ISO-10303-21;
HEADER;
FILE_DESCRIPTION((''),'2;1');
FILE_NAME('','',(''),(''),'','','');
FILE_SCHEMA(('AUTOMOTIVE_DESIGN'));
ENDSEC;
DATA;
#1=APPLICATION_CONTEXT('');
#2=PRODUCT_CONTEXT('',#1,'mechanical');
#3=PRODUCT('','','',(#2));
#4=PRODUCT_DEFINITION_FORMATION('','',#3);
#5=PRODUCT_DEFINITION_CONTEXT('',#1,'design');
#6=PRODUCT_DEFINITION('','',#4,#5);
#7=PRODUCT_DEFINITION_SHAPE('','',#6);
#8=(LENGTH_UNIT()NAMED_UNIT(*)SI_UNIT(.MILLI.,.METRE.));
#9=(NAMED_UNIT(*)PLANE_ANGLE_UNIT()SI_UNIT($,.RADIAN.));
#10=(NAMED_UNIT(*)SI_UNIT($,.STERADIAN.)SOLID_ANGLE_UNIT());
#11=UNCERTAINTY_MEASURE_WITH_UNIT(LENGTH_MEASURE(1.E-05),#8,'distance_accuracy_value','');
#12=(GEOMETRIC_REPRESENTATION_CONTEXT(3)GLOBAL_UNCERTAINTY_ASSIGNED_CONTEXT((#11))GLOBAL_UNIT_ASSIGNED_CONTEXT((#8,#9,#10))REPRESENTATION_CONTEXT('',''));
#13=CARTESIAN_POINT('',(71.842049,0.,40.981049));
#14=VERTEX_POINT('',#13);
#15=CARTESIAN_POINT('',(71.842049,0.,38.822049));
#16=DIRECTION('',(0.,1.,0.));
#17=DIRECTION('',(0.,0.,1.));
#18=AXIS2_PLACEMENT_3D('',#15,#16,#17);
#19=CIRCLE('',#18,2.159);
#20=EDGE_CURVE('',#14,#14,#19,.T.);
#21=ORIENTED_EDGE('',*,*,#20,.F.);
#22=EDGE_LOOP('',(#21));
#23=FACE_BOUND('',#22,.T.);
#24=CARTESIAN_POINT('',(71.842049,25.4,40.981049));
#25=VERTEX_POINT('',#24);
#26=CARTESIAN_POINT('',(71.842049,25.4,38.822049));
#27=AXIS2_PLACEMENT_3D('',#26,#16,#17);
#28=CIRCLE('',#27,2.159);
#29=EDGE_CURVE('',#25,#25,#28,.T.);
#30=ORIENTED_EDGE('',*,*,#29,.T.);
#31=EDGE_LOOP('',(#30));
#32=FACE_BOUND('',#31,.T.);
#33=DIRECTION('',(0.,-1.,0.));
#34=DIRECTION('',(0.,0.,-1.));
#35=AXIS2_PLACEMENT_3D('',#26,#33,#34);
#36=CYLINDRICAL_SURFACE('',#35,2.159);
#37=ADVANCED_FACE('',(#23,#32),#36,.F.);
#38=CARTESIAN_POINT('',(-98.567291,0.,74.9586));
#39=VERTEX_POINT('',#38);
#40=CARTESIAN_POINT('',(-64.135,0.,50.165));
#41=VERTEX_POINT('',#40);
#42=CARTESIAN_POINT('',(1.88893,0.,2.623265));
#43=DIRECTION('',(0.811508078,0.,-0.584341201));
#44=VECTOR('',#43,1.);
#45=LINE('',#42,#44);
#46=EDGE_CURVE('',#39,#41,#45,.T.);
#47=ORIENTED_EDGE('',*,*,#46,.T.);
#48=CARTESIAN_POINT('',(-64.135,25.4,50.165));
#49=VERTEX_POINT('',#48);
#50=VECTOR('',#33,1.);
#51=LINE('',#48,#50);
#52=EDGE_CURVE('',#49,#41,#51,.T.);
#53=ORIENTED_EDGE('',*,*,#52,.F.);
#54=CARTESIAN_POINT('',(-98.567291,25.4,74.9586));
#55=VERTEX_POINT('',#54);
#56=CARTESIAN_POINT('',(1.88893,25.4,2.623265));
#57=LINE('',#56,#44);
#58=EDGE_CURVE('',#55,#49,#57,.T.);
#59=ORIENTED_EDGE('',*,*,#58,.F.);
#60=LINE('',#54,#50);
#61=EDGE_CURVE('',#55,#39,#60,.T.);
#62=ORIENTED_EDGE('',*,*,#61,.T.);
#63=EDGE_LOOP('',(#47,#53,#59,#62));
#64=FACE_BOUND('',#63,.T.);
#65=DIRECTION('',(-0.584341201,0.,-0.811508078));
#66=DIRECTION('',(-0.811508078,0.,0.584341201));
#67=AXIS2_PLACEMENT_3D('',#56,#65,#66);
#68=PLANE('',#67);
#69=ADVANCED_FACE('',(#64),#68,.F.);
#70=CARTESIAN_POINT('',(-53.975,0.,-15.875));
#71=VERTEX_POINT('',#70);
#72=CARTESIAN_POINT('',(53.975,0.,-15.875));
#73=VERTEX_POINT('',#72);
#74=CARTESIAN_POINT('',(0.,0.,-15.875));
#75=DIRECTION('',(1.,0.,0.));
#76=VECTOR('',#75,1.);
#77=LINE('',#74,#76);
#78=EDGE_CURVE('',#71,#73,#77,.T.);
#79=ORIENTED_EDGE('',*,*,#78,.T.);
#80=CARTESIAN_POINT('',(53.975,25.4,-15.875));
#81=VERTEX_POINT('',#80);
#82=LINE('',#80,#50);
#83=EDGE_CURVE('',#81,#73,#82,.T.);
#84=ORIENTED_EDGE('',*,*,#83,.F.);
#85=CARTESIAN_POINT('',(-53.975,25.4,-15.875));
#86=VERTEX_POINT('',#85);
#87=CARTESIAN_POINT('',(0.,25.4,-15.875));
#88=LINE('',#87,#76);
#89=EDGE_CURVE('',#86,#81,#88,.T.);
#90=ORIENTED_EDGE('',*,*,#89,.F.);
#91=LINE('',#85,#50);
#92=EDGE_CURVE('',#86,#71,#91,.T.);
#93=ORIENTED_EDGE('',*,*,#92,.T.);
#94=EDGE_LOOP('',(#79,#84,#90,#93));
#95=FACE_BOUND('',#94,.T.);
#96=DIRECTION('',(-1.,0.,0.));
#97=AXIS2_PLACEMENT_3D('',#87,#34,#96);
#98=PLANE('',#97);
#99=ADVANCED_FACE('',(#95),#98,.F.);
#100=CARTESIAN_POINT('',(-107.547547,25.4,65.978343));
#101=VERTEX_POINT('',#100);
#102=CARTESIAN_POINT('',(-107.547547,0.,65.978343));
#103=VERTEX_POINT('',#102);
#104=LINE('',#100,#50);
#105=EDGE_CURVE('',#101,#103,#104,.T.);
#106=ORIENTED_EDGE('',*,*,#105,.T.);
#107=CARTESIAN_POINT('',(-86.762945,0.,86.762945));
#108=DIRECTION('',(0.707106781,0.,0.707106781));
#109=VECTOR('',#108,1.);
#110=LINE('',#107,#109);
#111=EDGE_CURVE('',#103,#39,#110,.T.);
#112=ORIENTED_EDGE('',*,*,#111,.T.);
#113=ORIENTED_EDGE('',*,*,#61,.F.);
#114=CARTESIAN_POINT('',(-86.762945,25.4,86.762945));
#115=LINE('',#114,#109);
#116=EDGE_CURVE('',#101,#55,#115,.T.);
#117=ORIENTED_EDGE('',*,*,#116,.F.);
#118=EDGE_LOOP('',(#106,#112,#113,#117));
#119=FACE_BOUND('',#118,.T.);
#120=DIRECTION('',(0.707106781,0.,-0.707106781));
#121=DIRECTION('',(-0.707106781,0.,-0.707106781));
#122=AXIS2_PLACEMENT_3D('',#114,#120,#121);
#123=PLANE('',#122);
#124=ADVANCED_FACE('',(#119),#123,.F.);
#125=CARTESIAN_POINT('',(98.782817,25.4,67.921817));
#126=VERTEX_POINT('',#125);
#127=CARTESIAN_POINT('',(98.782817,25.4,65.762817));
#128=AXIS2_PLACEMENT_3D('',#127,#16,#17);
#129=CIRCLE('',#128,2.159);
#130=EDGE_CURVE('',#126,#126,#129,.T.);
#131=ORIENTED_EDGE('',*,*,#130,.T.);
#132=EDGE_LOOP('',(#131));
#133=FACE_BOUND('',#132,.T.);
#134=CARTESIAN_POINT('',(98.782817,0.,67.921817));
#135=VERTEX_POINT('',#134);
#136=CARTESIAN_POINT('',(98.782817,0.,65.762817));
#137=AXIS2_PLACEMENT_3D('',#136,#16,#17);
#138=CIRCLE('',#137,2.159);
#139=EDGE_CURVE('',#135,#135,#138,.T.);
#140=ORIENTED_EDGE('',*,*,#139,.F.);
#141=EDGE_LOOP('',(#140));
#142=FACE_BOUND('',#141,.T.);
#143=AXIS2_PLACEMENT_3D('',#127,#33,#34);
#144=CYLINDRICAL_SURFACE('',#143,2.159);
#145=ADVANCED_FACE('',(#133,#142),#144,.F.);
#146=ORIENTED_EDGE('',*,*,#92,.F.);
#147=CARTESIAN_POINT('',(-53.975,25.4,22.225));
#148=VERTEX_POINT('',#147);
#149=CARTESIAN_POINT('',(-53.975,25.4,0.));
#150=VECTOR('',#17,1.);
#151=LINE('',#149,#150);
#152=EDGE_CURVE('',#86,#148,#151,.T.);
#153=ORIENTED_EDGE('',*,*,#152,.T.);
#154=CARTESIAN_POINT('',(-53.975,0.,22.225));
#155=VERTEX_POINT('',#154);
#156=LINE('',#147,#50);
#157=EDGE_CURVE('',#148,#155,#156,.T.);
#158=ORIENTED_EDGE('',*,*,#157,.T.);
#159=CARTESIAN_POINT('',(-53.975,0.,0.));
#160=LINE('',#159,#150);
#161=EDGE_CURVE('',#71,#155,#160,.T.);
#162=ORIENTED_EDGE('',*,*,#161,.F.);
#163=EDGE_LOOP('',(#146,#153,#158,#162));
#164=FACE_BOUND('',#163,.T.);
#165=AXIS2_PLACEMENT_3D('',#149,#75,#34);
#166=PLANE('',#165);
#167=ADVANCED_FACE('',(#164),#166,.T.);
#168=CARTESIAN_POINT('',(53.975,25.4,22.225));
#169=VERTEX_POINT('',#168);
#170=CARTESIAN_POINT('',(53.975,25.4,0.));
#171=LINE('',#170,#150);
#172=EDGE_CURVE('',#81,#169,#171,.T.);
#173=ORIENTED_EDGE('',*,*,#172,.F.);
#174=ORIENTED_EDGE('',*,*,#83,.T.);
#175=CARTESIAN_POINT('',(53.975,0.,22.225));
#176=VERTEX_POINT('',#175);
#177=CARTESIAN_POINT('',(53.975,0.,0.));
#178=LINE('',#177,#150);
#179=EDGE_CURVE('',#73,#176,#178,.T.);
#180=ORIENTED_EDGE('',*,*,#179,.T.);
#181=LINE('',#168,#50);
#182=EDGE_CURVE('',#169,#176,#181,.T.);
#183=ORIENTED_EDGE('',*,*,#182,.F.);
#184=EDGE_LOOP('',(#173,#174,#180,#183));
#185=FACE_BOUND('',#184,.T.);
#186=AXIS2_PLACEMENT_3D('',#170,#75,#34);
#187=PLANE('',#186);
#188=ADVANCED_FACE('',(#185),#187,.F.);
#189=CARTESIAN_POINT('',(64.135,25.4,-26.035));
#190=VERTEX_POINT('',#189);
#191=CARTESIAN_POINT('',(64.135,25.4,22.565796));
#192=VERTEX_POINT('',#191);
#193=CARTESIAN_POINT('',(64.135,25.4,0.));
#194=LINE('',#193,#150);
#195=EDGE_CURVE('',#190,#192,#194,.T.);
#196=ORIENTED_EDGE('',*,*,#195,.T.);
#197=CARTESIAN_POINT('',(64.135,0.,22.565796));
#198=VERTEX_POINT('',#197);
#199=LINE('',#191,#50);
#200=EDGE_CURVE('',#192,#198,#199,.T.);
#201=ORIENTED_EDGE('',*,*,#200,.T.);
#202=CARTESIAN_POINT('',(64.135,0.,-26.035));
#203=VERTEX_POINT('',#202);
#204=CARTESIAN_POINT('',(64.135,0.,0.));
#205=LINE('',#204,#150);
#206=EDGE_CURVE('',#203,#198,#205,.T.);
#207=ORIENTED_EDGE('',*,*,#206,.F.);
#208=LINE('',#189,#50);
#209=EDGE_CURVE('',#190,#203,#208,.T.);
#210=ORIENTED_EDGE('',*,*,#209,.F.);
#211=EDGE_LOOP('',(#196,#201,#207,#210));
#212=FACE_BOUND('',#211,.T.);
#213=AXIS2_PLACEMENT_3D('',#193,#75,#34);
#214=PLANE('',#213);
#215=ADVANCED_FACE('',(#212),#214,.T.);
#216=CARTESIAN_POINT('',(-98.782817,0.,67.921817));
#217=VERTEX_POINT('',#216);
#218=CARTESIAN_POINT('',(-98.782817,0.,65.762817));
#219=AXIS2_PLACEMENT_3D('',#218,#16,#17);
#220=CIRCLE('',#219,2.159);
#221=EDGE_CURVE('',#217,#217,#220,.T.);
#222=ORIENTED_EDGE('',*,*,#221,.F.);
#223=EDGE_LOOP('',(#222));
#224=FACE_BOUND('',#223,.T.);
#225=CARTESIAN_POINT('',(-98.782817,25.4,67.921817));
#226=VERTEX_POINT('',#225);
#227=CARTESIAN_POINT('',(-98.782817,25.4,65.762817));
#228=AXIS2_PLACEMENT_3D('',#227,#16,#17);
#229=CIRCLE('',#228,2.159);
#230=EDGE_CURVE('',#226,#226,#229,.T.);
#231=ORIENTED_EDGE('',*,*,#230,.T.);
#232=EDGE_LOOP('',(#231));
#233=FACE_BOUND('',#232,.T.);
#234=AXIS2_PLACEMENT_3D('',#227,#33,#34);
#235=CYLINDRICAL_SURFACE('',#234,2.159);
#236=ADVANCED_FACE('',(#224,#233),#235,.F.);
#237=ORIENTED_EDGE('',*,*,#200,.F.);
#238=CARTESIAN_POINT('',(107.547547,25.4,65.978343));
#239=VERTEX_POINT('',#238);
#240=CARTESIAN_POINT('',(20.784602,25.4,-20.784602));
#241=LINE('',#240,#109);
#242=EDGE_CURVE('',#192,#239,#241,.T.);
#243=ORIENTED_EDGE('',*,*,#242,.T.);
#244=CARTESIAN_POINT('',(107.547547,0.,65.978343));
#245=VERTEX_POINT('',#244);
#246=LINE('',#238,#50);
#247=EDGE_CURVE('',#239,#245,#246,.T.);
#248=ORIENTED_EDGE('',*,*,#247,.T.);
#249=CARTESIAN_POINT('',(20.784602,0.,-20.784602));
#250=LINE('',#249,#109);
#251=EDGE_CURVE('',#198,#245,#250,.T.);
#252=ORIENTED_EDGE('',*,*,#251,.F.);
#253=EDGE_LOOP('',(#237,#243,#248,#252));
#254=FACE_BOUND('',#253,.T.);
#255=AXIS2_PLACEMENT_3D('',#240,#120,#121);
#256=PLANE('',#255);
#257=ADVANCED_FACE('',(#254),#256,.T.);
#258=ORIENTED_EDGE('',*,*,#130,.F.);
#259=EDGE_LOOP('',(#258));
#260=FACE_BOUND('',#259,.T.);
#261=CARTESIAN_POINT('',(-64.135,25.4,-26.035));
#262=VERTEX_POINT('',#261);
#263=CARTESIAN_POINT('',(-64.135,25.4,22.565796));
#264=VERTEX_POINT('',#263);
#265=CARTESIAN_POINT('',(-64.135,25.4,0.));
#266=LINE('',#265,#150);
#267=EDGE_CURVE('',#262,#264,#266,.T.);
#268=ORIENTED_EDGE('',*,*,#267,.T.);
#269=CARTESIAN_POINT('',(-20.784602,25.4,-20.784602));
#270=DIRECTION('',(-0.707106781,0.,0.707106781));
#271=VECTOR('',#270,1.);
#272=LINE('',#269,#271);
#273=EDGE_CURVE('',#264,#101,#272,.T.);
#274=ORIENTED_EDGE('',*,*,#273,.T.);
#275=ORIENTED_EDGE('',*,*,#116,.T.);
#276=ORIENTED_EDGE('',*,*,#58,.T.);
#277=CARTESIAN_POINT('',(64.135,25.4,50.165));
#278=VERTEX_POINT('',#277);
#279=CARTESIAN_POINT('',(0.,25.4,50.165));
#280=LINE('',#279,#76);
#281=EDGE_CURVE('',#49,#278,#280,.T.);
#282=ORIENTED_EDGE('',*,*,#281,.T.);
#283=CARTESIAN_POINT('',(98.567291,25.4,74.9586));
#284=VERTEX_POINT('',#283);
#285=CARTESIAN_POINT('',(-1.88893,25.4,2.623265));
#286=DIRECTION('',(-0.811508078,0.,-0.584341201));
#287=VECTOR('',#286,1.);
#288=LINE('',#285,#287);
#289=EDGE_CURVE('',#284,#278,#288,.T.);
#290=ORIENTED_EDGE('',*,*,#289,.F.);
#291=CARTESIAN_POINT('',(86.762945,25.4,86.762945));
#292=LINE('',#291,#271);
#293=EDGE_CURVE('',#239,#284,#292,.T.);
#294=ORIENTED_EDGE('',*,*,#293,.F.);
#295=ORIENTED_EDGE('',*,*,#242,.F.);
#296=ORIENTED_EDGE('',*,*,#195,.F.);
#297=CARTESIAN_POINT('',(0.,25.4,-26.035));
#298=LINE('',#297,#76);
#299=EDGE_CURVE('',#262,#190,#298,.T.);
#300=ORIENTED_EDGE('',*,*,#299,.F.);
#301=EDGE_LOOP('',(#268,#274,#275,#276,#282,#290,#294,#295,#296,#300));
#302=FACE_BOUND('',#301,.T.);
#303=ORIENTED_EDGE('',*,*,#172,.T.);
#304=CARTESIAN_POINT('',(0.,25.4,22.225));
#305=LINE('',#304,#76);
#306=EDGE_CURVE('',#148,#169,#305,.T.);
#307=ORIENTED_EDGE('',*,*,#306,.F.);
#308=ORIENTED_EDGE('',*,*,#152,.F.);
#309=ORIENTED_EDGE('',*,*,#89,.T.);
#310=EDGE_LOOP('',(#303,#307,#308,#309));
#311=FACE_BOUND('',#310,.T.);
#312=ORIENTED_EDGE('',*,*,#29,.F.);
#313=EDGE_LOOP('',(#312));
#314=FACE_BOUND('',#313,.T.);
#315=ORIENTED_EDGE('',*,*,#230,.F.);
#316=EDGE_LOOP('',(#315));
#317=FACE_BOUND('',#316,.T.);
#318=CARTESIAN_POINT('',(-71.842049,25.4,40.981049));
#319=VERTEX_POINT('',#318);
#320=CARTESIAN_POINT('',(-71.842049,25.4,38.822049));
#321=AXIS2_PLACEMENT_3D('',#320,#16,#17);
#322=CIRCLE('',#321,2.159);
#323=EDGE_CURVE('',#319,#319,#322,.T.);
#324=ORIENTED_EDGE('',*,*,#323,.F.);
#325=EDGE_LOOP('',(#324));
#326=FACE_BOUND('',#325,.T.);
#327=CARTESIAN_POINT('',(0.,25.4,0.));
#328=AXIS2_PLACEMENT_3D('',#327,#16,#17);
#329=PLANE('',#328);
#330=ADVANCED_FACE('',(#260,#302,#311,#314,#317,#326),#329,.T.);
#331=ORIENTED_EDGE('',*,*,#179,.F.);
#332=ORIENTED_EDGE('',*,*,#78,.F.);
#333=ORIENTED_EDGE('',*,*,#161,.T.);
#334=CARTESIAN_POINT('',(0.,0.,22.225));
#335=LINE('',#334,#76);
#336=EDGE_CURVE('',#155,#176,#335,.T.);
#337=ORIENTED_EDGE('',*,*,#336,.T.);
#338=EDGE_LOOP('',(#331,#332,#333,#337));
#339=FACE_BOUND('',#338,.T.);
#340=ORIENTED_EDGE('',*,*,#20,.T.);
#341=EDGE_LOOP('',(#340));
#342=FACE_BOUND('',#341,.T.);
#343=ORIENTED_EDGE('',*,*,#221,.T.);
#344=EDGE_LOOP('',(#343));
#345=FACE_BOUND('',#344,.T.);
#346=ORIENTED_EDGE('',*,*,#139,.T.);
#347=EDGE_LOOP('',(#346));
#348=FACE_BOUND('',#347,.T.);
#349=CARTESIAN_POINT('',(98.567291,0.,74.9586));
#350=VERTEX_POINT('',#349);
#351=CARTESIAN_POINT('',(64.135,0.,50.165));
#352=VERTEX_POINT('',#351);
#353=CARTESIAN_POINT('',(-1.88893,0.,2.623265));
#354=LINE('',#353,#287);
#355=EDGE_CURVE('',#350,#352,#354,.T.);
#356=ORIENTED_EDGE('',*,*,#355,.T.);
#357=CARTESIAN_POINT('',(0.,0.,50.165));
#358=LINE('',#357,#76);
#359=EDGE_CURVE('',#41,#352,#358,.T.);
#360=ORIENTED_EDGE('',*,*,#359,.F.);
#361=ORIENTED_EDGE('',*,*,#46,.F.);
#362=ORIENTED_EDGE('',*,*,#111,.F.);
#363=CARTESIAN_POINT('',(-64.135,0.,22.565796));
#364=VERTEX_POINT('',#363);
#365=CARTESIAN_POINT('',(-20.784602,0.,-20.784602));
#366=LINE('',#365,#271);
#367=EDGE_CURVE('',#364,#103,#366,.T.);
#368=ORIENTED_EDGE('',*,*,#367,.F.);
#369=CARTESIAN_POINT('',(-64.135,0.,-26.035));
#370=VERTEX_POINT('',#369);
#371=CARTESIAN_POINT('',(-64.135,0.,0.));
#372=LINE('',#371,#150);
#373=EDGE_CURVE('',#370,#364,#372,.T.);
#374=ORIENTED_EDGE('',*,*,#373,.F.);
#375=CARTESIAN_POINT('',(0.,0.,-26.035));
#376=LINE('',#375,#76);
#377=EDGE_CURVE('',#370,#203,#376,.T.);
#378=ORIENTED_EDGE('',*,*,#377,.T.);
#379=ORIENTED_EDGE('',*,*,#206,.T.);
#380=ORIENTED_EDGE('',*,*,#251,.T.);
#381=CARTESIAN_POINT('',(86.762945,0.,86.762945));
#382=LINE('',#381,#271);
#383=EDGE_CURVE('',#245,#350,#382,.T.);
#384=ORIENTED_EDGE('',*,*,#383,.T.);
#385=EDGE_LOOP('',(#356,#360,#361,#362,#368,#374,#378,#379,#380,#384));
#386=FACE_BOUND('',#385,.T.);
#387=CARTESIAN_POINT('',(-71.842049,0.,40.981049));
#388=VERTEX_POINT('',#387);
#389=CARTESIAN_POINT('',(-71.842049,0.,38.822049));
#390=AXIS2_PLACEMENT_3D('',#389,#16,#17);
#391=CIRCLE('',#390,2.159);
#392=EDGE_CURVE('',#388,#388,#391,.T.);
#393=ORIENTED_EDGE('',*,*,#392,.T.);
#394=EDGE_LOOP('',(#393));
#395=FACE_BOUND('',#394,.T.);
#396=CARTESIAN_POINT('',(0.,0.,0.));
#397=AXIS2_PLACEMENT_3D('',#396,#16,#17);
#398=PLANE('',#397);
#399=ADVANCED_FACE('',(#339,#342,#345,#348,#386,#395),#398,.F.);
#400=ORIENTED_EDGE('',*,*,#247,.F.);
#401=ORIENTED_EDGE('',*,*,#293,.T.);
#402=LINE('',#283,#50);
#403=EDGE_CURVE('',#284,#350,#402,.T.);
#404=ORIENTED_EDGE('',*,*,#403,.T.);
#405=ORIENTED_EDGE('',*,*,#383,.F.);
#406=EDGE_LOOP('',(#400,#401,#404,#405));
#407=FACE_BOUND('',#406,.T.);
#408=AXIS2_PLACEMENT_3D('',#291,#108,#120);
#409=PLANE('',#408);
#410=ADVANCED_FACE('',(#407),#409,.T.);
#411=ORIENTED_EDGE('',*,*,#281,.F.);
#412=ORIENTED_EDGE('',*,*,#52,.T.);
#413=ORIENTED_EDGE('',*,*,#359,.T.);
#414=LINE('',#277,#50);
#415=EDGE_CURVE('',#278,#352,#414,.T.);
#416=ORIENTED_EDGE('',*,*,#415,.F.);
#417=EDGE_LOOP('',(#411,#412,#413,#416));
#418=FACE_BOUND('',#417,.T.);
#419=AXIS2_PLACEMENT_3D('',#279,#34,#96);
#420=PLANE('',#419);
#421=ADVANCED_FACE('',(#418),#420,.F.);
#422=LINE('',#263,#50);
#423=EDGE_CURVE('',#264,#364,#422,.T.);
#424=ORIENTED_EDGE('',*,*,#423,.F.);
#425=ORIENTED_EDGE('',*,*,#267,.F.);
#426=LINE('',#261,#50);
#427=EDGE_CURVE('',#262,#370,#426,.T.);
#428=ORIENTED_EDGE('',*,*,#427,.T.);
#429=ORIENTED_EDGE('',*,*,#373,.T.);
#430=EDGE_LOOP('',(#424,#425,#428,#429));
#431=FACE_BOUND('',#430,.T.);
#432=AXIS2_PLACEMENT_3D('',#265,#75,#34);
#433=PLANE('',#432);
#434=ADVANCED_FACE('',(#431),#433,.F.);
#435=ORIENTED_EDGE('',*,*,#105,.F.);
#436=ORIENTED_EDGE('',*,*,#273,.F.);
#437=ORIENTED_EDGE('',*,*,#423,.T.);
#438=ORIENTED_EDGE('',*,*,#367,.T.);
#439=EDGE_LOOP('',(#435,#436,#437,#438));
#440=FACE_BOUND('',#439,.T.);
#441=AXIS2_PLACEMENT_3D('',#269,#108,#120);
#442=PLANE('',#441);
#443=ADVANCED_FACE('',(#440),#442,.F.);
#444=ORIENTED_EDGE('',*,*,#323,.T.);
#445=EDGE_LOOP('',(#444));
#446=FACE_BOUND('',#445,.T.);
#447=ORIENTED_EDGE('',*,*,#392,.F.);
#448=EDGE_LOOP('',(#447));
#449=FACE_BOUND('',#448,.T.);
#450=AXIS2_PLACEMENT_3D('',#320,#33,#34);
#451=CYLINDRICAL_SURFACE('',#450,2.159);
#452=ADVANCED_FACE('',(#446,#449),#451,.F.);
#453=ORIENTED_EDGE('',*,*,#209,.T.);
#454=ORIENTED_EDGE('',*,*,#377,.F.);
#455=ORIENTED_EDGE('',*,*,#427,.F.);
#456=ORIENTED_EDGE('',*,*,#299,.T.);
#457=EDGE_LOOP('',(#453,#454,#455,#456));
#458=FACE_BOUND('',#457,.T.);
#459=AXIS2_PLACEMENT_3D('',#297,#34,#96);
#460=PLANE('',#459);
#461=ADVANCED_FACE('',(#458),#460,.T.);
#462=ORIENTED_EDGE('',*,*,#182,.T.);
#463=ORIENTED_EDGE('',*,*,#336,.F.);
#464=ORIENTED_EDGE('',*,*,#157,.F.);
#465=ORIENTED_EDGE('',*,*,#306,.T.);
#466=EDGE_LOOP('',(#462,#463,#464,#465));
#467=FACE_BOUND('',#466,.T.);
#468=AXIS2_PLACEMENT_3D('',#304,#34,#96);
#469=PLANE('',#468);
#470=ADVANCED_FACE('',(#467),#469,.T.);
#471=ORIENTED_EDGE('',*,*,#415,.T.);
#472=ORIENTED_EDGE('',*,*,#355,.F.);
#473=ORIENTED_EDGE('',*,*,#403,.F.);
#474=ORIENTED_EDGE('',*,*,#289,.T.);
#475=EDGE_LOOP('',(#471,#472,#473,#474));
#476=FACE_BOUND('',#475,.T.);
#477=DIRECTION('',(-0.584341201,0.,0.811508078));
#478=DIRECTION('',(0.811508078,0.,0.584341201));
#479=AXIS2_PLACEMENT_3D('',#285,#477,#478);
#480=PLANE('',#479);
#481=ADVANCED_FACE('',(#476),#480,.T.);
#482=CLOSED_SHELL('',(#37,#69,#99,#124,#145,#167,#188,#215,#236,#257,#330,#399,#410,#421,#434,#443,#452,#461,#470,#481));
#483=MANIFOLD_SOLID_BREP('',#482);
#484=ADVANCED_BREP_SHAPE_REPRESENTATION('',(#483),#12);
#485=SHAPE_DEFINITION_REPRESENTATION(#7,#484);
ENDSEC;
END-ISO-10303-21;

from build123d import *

# Parameters (mm, degrees)
BOSS_EXTRUDE1_DEPTH = 25.4


with BuildPart() as part:
    # Sketch3 → Boss-Extrude1 (new body)
    with BuildSketch(Plane(origin=(0, 0, 0), x_dir=(1, 0, 0), z_dir=(0, 1, 0))):
        Polygon((-53.975, -20.955), (-64.135, -31.115), (-64.135, -50.165), (64.135, -50.165), (64.135, -31.115), (53.975, -20.955), (53.975, -22.225), (-53.975, -22.225), align=None)
        Polygon((-64.135, 26.035), (-64.135, -22.565796173), (-64.135, -31.115), (-53.975, -20.955), (-53.975, 15.875), (-17.145, 15.875), (-6.985, 26.035), align=None)
        Polygon((6.985, 26.035), (-6.985, 26.035), (-17.145, 15.875), (17.145, 15.875), align=None)
        Polygon((64.135, 26.035), (6.985, 26.035), (17.145, 15.875), (53.975, 15.875), (53.975, -20.955), (64.135, -31.115), (64.135, -22.565796173), align=None)
        with BuildLine():
            Line((64.135, -22.565796173), (64.135, -31.115))
            Line((64.135, -31.115), (70.315405428, -37.295405428))
            ThreePointArc((70.315405428, -37.295405428), (72.668262499, -36.827393058), (74.001048969, -38.822048969))
            ThreePointArc((74.001048969, -38.822048969), (73.836704879, -39.648262499), (73.368692509, -40.348692509))
            Line((73.368692509, -40.348692509), (97.256173791, -64.236173791))
            ThreePointArc((97.256173791, -64.236173791), (99.609030862, -63.768161421), (100.941817332, -65.762817332))
            ThreePointArc((100.941817332, -65.762817332), (99.609030862, -67.757473242), (97.256173791, -67.289460872))
            Line((97.256173791, -67.289460872), (93.346419205, -71.199215458))
            Line((93.346419205, -71.199215458), (98.567291185, -74.9585996))
            Line((98.567291185, -74.9585996), (107.547547306, -65.978343479))
            Line((107.547547306, -65.978343479), (64.135, -22.565796173))
        make_face()
        with BuildLine():
            Line((64.135, -31.115), (64.135, -50.165))
            Line((64.135, -50.165), (93.346419205, -71.199215458))
            Line((93.346419205, -71.199215458), (97.256173791, -67.289460872))
            ThreePointArc((97.256173791, -67.289460872), (96.623817332, -65.762817332), (97.256173791, -64.236173791))
            Line((97.256173791, -64.236173791), (73.368692509, -40.348692509))
            ThreePointArc((73.368692509, -40.348692509), (70.315405428, -40.348692509), (70.315405428, -37.295405428))
            Line((70.315405428, -37.295405428), (64.135, -31.115))
        make_face()
        with BuildLine():
            Line((-64.135, -50.165), (-64.135, -31.115))
            Line((-64.135, -31.115), (-70.315405428, -37.295405428))
            ThreePointArc((-70.315405428, -37.295405428), (-69.847393058, -37.995835438), (-69.683048969, -38.822048969))
            ThreePointArc((-69.683048969, -38.822048969), (-71.015835438, -40.816704879), (-73.368692509, -40.348692509))
            Line((-73.368692509, -40.348692509), (-97.256173791, -64.236173791))
            ThreePointArc((-97.256173791, -64.236173791), (-96.788161421, -64.936603801), (-96.623817332, -65.762817332))
            ThreePointArc((-96.623817332, -65.762817332), (-96.788161421, -66.589030862), (-97.256173791, -67.289460872))
            Line((-97.256173791, -67.289460872), (-93.346419205, -71.199215458))
            Line((-93.346419205, -71.199215458), (-64.135, -50.165))
        make_face()
        with BuildLine():
            Line((-64.135, -31.115), (-64.135, -22.565796173))
            Line((-64.135, -22.565796173), (-107.547547306, -65.978343479))
            Line((-107.547547306, -65.978343479), (-98.567291185, -74.9585996))
            Line((-98.567291185, -74.9585996), (-93.346419205, -71.199215458))
            Line((-93.346419205, -71.199215458), (-97.256173791, -67.289460872))
            ThreePointArc((-97.256173791, -67.289460872), (-100.941817332, -65.762817332), (-97.256173791, -64.236173791))
            Line((-97.256173791, -64.236173791), (-73.368692509, -40.348692509))
            ThreePointArc((-73.368692509, -40.348692509), (-73.368692509, -37.295405428), (-70.315405428, -37.295405428))
            Line((-70.315405428, -37.295405428), (-64.135, -31.115))
        make_face()
    extrude(amount=BOSS_EXTRUDE1_DEPTH)


solid = part.part
